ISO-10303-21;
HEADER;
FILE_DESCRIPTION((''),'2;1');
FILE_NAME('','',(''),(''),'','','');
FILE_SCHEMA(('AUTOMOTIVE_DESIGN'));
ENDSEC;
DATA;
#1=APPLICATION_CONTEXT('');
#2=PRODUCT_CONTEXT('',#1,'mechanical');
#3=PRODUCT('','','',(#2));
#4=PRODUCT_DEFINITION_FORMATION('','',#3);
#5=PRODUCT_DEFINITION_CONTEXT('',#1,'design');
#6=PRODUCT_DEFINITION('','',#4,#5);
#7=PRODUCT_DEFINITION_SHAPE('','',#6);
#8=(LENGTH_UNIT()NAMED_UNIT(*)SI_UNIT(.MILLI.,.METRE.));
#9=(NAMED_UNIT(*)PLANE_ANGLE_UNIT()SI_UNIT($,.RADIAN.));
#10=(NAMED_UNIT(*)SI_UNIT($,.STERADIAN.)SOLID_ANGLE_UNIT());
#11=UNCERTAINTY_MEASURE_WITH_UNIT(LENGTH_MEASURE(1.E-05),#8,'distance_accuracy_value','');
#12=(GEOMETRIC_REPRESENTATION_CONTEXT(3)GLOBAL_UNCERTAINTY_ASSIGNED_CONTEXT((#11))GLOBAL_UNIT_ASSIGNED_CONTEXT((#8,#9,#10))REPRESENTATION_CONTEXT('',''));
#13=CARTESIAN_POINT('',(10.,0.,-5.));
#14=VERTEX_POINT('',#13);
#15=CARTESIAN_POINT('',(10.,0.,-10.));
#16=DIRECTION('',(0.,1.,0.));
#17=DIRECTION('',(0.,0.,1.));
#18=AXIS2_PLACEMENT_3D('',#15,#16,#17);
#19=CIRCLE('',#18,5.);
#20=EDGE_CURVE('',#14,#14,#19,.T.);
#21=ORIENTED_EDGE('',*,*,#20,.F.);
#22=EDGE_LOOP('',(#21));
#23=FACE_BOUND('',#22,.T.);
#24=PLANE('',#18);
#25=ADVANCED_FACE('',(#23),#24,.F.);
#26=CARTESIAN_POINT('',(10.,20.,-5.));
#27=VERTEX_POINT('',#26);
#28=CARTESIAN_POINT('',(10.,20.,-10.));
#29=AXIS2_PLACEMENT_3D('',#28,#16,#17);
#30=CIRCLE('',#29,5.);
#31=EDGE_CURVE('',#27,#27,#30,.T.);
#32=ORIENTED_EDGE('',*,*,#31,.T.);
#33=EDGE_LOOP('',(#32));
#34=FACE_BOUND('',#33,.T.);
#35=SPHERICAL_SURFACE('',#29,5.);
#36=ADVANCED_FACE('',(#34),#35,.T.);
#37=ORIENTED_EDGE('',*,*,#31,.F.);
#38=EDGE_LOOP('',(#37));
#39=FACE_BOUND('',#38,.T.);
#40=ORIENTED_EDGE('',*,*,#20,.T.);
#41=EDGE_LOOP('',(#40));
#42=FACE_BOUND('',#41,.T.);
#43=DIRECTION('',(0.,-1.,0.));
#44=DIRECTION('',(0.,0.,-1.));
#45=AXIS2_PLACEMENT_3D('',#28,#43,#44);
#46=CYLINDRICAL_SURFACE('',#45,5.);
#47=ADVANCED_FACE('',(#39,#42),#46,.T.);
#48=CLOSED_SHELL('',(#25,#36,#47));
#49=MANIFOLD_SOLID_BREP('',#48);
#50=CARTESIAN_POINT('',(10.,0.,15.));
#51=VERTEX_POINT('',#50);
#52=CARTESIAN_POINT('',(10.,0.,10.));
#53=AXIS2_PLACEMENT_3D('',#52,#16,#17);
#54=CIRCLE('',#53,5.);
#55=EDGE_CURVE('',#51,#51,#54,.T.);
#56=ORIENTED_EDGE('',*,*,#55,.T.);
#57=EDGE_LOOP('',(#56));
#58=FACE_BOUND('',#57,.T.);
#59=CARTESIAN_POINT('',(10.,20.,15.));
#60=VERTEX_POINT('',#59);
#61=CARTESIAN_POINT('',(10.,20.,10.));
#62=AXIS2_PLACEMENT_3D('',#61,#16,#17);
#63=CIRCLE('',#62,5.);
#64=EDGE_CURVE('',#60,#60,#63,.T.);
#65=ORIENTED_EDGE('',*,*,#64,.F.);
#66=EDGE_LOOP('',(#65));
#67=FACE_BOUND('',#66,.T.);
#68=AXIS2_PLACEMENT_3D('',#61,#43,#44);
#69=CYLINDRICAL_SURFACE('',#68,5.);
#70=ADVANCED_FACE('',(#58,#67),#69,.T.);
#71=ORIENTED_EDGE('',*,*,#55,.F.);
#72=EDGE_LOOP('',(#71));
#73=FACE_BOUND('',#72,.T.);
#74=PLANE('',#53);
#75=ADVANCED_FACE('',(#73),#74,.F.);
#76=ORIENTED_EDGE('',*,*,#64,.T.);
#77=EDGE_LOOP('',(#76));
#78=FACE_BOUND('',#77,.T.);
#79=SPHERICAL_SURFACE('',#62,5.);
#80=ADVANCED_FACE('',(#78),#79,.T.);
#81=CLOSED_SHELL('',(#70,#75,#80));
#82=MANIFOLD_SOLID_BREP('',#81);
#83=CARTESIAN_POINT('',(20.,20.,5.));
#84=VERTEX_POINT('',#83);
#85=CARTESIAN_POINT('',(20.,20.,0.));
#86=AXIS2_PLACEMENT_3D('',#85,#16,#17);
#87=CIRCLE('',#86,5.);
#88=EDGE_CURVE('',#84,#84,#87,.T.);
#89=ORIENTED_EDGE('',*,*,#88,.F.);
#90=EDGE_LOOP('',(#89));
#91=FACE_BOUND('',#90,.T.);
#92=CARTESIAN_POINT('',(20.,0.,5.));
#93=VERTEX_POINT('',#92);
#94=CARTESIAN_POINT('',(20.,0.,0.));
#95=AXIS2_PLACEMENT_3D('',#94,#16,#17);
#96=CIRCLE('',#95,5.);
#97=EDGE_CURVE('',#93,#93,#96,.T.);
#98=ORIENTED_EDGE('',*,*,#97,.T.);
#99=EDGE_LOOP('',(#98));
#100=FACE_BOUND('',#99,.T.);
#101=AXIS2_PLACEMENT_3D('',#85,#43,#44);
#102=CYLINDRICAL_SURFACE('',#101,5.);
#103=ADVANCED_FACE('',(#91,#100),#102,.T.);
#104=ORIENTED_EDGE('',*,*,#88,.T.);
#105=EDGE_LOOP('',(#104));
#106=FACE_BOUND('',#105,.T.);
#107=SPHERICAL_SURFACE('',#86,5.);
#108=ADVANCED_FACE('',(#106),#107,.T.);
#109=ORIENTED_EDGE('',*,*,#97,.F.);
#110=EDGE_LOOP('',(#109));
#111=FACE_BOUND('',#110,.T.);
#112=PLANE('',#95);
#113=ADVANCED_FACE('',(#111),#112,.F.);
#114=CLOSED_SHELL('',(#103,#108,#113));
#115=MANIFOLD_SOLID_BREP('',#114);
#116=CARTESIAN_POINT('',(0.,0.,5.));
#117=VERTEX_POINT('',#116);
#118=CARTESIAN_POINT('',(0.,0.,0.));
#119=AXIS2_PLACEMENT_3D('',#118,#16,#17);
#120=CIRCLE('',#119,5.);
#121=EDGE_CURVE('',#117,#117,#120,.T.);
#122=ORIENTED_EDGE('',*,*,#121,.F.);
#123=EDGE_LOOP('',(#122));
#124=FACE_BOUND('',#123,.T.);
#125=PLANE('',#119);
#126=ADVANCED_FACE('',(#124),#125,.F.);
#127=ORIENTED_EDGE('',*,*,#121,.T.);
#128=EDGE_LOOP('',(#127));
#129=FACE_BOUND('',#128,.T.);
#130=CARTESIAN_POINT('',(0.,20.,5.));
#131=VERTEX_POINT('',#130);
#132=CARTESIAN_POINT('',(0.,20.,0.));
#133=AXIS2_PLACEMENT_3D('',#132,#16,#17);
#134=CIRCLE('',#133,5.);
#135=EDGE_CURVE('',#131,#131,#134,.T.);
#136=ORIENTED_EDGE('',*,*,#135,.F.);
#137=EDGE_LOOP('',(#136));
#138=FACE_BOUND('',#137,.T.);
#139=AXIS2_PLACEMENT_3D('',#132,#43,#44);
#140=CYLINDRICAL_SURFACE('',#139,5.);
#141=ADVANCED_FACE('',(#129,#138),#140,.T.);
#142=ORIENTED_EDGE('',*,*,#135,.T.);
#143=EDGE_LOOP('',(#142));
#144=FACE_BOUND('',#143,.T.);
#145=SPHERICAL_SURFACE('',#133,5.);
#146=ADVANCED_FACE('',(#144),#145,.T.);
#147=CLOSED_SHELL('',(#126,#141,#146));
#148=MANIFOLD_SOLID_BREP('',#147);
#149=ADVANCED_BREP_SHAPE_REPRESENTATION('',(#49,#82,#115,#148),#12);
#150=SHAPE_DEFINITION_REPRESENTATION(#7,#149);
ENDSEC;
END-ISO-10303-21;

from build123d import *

# Parameters (mm, degrees)
SKETCH1_R             = 5
BOSS_EXTRUDE1_DEPTH   = 20
BOSS_EXTRUDE1_2_DEPTH = 20
BOSS_EXTRUDE1_3_DEPTH = 20
BOSS_EXTRUDE1_4_DEPTH = 20
DOME4_FACE_RADIUS     = 5
DOME4_HEIGHT          = 5
DOME5_FACE_RADIUS     = 5
DOME5_HEIGHT          = 5
DOME6_FACE_RADIUS     = 5
DOME6_HEIGHT          = 5
DOME7_FACE_RADIUS     = 5
DOME7_HEIGHT          = 5


with BuildPart() as part:
    # Sketch1 → Boss-Extrude1 (new body)
    with BuildSketch(Plane(origin=(0, 0, 0), x_dir=(1, 0, 0), z_dir=(0, 1, 0))):
        with Locations(Location((0, 0, 0), (0, 0, 270))):
            Circle(SKETCH1_R)
    extrude(amount=BOSS_EXTRUDE1_DEPTH)

    # Dome4: a dome of height H over a round flat face of radius A is a cap of a sphere of radius (A * A + H * H) / (2 * H)
    dome4_r = (DOME4_FACE_RADIUS * DOME4_FACE_RADIUS + DOME4_HEIGHT * DOME4_HEIGHT) / (2 * DOME4_HEIGHT)
    dome4_base = Plane((0, 20, 0), z_dir=(0, 1, 0))
    with Locations(dome4_base.offset(DOME4_HEIGHT - dome4_r)):
        dome4_ball = Sphere(dome4_r, mode=Mode.PRIVATE)
    add(split(dome4_ball, bisect_by=dome4_base, keep=Keep.TOP, mode=Mode.PRIVATE))


with BuildPart() as body_2:
    # Sketch1 → Boss-Extrude1 2 (new body)
    with BuildSketch(Plane(origin=(0, 0, 0), x_dir=(1, 0, 0), z_dir=(0, 1, 0))):
        with Locations(Location((10, 10, 0), (0, 0, 270))):
            Circle(SKETCH1_R)
    extrude(amount=BOSS_EXTRUDE1_2_DEPTH)

    # Dome5: a dome of height H over a round flat face of radius A is a cap of a sphere of radius (A * A + H * H) / (2 * H)
    dome5_r = (DOME5_FACE_RADIUS * DOME5_FACE_RADIUS + DOME5_HEIGHT * DOME5_HEIGHT) / (2 * DOME5_HEIGHT)
    dome5_base = Plane((10, 20, -10), z_dir=(0, 1, 0))
    with Locations(dome5_base.offset(DOME5_HEIGHT - dome5_r)):
        dome5_ball = Sphere(dome5_r, mode=Mode.PRIVATE)
    add(split(dome5_ball, bisect_by=dome5_base, keep=Keep.TOP, mode=Mode.PRIVATE))


with BuildPart() as body_3:
    # Sketch1 → Boss-Extrude1 3 (new body)
    with BuildSketch(Plane(origin=(0, 0, 0), x_dir=(1, 0, 0), z_dir=(0, 1, 0))):
        with Locations(Location((20, 0, 0), (0, 0, 270))):
            Circle(SKETCH1_R)
    extrude(amount=BOSS_EXTRUDE1_3_DEPTH)

    # Dome6: a dome of height H over a round flat face of radius A is a cap of a sphere of radius (A * A + H * H) / (2 * H)
    dome6_r = (DOME6_FACE_RADIUS * DOME6_FACE_RADIUS + DOME6_HEIGHT * DOME6_HEIGHT) / (2 * DOME6_HEIGHT)
    dome6_base = Plane((20, 20, 0), z_dir=(0, 1, 0))
    with Locations(dome6_base.offset(DOME6_HEIGHT - dome6_r)):
        dome6_ball = Sphere(dome6_r, mode=Mode.PRIVATE)
    add(split(dome6_ball, bisect_by=dome6_base, keep=Keep.TOP, mode=Mode.PRIVATE))


with BuildPart() as body_4:
    # Sketch1 → Boss-Extrude1 4 (new body)
    with BuildSketch(Plane(origin=(0, 0, 0), x_dir=(1, 0, 0), z_dir=(0, 1, 0))):
        with Locations(Location((10, -10, 0), (0, 0, 270))):
            Circle(SKETCH1_R)
    extrude(amount=BOSS_EXTRUDE1_4_DEPTH)

    # Dome7: a dome of height H over a round flat face of radius A is a cap of a sphere of radius (A * A + H * H) / (2 * H)
    dome7_r = (DOME7_FACE_RADIUS * DOME7_FACE_RADIUS + DOME7_HEIGHT * DOME7_HEIGHT) / (2 * DOME7_HEIGHT)
    dome7_base = Plane((10, 20, 10), z_dir=(0, 1, 0))
    with Locations(dome7_base.offset(DOME7_HEIGHT - dome7_r)):
        dome7_ball = Sphere(dome7_r, mode=Mode.PRIVATE)
    add(split(dome7_ball, bisect_by=dome7_base, keep=Keep.TOP, mode=Mode.PRIVATE))


solid = Compound([part.part, body_2.part, body_3.part, body_4.part])
